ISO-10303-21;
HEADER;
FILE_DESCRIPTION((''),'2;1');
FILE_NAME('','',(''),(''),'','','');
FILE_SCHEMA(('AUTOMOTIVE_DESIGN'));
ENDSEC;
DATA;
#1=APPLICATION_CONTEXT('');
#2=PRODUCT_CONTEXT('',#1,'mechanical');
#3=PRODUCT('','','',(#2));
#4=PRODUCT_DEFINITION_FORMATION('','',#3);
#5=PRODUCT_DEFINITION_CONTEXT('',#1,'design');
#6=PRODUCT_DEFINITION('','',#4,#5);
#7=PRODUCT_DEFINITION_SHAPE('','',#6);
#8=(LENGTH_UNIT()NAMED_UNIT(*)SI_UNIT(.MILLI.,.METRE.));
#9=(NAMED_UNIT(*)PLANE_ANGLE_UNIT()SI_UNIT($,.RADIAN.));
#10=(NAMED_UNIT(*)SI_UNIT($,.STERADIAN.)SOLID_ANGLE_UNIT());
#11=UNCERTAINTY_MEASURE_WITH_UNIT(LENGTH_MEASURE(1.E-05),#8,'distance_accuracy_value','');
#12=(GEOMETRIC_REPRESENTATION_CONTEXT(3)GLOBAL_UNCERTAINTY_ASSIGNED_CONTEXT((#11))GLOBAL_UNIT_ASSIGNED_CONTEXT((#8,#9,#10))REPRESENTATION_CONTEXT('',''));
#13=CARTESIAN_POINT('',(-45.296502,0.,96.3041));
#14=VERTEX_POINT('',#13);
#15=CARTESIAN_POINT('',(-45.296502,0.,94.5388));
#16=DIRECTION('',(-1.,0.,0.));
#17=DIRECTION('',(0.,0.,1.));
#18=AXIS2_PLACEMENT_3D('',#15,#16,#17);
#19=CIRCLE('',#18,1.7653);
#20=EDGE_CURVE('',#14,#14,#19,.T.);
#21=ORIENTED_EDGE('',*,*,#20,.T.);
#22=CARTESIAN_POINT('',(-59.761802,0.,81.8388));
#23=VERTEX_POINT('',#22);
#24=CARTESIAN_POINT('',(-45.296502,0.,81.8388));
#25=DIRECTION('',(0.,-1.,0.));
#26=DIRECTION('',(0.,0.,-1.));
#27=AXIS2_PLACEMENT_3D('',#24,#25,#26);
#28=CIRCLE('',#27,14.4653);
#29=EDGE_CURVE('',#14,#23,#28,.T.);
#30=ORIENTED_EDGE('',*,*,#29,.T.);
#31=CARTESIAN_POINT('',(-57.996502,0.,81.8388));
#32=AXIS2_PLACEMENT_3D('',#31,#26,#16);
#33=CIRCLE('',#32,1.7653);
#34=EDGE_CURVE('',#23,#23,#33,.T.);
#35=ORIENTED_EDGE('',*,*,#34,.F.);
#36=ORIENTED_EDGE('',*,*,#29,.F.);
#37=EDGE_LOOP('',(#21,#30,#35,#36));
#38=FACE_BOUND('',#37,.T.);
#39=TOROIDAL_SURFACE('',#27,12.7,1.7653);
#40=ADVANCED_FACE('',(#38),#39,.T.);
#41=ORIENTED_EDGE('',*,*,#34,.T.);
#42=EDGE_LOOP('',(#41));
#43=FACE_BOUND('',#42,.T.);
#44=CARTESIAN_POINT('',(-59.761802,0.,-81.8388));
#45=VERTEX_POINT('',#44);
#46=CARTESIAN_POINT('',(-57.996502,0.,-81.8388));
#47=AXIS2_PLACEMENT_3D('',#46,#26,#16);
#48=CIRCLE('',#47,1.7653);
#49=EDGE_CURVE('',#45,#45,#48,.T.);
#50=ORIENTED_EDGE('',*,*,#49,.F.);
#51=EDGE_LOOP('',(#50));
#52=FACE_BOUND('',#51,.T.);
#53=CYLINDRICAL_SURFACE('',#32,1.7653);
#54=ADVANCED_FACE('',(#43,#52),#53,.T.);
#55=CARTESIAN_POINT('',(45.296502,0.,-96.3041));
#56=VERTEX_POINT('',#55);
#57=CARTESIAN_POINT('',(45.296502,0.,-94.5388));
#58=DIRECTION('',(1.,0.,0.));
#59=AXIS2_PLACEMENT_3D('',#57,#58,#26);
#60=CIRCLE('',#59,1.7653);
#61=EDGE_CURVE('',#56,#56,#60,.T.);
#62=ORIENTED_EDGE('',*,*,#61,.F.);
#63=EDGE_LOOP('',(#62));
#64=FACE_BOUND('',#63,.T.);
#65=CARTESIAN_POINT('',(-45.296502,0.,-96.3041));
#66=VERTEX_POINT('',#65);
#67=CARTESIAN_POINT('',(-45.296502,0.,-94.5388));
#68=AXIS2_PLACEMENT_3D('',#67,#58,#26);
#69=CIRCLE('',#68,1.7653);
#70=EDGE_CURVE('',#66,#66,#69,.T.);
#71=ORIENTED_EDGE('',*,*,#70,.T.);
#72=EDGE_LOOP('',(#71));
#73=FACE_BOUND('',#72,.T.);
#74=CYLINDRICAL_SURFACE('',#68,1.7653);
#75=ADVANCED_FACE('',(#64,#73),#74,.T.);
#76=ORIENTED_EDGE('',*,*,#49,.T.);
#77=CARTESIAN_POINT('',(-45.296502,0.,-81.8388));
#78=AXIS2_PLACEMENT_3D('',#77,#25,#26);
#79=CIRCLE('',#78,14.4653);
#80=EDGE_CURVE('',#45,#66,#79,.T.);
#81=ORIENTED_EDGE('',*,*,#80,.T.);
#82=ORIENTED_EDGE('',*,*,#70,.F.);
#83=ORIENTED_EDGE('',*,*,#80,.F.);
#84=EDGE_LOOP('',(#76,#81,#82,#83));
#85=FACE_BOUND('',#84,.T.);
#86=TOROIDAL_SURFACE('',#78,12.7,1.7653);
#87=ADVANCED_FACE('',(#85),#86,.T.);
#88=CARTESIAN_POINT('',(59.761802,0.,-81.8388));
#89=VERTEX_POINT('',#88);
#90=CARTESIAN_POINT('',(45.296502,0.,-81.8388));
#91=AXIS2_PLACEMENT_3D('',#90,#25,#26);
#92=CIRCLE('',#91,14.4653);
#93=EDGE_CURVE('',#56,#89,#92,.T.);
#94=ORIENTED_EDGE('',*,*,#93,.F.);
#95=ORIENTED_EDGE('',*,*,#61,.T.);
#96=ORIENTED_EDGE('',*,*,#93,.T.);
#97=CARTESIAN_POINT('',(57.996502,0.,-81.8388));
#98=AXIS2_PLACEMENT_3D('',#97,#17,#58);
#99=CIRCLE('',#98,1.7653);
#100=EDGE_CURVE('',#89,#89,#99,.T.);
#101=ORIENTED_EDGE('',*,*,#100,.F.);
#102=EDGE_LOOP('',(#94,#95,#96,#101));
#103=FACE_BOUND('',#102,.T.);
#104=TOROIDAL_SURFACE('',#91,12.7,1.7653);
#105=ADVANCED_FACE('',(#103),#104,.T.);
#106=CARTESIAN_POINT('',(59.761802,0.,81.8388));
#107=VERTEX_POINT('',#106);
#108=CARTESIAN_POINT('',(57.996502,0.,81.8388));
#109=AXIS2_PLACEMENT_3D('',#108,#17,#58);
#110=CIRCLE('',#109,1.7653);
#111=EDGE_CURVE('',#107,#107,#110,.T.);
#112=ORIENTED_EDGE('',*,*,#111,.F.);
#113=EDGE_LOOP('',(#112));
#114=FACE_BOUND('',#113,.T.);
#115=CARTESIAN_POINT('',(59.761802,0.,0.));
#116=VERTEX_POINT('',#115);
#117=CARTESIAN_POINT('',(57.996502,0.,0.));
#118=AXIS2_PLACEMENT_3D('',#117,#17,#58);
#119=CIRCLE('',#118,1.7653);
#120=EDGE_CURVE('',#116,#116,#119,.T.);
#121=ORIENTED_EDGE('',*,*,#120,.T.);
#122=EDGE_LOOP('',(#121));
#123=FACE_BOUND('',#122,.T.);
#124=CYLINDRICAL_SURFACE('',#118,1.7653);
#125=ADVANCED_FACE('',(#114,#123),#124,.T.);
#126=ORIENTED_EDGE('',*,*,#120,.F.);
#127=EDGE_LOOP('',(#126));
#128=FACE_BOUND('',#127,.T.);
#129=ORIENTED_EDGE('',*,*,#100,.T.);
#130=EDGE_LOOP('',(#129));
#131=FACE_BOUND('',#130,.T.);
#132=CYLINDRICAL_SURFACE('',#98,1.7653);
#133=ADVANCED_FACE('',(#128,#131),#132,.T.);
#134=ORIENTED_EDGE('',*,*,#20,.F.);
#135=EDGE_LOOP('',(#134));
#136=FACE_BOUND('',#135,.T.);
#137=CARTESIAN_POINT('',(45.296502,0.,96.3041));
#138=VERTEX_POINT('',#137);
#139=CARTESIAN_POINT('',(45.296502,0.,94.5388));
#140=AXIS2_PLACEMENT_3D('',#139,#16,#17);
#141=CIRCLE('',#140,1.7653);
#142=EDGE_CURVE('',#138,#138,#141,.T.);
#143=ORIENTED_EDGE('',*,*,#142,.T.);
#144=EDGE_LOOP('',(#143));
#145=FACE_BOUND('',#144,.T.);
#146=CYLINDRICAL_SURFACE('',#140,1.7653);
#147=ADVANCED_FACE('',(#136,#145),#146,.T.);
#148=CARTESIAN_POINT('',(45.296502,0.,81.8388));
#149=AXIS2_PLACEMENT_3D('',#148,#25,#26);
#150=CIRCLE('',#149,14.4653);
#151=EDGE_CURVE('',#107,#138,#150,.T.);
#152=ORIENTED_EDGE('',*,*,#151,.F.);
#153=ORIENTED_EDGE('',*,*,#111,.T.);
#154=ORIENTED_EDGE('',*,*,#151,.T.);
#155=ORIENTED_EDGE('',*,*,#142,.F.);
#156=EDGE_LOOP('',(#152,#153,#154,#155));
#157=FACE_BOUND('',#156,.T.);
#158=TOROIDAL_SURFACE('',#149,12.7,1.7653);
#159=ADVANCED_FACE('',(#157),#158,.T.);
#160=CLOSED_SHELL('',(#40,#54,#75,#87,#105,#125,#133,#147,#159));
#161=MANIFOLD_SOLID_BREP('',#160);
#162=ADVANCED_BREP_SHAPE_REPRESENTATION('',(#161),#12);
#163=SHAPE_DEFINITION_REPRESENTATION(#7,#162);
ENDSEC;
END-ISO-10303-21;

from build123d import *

# Parameters (mm, degrees)
O_RINGPROFILE_R = 1.7653


with BuildPart() as part:
    # Sweep2: sweep along a path in O-RingPath
    with BuildLine(Plane(origin=(0, 0, 0), x_dir=(1, 0, 0), z_dir=(0, 1, 0))) as sweep2_path:
        Line((45.29650165, -94.5388), (-45.29650165, -94.5388))
        ThreePointArc((-45.29650165, -94.5388), (-54.276757771, -90.819056121), (-57.99650165, -81.8388))
        Line((-57.99650165, -81.8388), (-57.99650165, 81.8388))
        ThreePointArc((-57.99650165, 81.8388), (-54.276757771, 90.819056121), (-45.29650165, 94.5388))
        Line((-45.29650165, 94.5388), (45.29650165, 94.5388))
        ThreePointArc((45.29650165, 94.5388), (54.276757771, 90.819056121), (57.99650165, 81.8388))
        Line((57.99650165, 81.8388), (57.99650165, -81.8388))
        ThreePointArc((57.99650165, -81.8388), (54.276757771, -90.819056121), (45.29650165, -94.5388))
    # O-RingProfile → Sweep2 (sweep)
    with BuildSketch(Plane.XY):
        with Locations((57.99650165, 0)):
            Circle(O_RINGPROFILE_R)
    sweep(path=sweep2_path.line)


solid = part.part
